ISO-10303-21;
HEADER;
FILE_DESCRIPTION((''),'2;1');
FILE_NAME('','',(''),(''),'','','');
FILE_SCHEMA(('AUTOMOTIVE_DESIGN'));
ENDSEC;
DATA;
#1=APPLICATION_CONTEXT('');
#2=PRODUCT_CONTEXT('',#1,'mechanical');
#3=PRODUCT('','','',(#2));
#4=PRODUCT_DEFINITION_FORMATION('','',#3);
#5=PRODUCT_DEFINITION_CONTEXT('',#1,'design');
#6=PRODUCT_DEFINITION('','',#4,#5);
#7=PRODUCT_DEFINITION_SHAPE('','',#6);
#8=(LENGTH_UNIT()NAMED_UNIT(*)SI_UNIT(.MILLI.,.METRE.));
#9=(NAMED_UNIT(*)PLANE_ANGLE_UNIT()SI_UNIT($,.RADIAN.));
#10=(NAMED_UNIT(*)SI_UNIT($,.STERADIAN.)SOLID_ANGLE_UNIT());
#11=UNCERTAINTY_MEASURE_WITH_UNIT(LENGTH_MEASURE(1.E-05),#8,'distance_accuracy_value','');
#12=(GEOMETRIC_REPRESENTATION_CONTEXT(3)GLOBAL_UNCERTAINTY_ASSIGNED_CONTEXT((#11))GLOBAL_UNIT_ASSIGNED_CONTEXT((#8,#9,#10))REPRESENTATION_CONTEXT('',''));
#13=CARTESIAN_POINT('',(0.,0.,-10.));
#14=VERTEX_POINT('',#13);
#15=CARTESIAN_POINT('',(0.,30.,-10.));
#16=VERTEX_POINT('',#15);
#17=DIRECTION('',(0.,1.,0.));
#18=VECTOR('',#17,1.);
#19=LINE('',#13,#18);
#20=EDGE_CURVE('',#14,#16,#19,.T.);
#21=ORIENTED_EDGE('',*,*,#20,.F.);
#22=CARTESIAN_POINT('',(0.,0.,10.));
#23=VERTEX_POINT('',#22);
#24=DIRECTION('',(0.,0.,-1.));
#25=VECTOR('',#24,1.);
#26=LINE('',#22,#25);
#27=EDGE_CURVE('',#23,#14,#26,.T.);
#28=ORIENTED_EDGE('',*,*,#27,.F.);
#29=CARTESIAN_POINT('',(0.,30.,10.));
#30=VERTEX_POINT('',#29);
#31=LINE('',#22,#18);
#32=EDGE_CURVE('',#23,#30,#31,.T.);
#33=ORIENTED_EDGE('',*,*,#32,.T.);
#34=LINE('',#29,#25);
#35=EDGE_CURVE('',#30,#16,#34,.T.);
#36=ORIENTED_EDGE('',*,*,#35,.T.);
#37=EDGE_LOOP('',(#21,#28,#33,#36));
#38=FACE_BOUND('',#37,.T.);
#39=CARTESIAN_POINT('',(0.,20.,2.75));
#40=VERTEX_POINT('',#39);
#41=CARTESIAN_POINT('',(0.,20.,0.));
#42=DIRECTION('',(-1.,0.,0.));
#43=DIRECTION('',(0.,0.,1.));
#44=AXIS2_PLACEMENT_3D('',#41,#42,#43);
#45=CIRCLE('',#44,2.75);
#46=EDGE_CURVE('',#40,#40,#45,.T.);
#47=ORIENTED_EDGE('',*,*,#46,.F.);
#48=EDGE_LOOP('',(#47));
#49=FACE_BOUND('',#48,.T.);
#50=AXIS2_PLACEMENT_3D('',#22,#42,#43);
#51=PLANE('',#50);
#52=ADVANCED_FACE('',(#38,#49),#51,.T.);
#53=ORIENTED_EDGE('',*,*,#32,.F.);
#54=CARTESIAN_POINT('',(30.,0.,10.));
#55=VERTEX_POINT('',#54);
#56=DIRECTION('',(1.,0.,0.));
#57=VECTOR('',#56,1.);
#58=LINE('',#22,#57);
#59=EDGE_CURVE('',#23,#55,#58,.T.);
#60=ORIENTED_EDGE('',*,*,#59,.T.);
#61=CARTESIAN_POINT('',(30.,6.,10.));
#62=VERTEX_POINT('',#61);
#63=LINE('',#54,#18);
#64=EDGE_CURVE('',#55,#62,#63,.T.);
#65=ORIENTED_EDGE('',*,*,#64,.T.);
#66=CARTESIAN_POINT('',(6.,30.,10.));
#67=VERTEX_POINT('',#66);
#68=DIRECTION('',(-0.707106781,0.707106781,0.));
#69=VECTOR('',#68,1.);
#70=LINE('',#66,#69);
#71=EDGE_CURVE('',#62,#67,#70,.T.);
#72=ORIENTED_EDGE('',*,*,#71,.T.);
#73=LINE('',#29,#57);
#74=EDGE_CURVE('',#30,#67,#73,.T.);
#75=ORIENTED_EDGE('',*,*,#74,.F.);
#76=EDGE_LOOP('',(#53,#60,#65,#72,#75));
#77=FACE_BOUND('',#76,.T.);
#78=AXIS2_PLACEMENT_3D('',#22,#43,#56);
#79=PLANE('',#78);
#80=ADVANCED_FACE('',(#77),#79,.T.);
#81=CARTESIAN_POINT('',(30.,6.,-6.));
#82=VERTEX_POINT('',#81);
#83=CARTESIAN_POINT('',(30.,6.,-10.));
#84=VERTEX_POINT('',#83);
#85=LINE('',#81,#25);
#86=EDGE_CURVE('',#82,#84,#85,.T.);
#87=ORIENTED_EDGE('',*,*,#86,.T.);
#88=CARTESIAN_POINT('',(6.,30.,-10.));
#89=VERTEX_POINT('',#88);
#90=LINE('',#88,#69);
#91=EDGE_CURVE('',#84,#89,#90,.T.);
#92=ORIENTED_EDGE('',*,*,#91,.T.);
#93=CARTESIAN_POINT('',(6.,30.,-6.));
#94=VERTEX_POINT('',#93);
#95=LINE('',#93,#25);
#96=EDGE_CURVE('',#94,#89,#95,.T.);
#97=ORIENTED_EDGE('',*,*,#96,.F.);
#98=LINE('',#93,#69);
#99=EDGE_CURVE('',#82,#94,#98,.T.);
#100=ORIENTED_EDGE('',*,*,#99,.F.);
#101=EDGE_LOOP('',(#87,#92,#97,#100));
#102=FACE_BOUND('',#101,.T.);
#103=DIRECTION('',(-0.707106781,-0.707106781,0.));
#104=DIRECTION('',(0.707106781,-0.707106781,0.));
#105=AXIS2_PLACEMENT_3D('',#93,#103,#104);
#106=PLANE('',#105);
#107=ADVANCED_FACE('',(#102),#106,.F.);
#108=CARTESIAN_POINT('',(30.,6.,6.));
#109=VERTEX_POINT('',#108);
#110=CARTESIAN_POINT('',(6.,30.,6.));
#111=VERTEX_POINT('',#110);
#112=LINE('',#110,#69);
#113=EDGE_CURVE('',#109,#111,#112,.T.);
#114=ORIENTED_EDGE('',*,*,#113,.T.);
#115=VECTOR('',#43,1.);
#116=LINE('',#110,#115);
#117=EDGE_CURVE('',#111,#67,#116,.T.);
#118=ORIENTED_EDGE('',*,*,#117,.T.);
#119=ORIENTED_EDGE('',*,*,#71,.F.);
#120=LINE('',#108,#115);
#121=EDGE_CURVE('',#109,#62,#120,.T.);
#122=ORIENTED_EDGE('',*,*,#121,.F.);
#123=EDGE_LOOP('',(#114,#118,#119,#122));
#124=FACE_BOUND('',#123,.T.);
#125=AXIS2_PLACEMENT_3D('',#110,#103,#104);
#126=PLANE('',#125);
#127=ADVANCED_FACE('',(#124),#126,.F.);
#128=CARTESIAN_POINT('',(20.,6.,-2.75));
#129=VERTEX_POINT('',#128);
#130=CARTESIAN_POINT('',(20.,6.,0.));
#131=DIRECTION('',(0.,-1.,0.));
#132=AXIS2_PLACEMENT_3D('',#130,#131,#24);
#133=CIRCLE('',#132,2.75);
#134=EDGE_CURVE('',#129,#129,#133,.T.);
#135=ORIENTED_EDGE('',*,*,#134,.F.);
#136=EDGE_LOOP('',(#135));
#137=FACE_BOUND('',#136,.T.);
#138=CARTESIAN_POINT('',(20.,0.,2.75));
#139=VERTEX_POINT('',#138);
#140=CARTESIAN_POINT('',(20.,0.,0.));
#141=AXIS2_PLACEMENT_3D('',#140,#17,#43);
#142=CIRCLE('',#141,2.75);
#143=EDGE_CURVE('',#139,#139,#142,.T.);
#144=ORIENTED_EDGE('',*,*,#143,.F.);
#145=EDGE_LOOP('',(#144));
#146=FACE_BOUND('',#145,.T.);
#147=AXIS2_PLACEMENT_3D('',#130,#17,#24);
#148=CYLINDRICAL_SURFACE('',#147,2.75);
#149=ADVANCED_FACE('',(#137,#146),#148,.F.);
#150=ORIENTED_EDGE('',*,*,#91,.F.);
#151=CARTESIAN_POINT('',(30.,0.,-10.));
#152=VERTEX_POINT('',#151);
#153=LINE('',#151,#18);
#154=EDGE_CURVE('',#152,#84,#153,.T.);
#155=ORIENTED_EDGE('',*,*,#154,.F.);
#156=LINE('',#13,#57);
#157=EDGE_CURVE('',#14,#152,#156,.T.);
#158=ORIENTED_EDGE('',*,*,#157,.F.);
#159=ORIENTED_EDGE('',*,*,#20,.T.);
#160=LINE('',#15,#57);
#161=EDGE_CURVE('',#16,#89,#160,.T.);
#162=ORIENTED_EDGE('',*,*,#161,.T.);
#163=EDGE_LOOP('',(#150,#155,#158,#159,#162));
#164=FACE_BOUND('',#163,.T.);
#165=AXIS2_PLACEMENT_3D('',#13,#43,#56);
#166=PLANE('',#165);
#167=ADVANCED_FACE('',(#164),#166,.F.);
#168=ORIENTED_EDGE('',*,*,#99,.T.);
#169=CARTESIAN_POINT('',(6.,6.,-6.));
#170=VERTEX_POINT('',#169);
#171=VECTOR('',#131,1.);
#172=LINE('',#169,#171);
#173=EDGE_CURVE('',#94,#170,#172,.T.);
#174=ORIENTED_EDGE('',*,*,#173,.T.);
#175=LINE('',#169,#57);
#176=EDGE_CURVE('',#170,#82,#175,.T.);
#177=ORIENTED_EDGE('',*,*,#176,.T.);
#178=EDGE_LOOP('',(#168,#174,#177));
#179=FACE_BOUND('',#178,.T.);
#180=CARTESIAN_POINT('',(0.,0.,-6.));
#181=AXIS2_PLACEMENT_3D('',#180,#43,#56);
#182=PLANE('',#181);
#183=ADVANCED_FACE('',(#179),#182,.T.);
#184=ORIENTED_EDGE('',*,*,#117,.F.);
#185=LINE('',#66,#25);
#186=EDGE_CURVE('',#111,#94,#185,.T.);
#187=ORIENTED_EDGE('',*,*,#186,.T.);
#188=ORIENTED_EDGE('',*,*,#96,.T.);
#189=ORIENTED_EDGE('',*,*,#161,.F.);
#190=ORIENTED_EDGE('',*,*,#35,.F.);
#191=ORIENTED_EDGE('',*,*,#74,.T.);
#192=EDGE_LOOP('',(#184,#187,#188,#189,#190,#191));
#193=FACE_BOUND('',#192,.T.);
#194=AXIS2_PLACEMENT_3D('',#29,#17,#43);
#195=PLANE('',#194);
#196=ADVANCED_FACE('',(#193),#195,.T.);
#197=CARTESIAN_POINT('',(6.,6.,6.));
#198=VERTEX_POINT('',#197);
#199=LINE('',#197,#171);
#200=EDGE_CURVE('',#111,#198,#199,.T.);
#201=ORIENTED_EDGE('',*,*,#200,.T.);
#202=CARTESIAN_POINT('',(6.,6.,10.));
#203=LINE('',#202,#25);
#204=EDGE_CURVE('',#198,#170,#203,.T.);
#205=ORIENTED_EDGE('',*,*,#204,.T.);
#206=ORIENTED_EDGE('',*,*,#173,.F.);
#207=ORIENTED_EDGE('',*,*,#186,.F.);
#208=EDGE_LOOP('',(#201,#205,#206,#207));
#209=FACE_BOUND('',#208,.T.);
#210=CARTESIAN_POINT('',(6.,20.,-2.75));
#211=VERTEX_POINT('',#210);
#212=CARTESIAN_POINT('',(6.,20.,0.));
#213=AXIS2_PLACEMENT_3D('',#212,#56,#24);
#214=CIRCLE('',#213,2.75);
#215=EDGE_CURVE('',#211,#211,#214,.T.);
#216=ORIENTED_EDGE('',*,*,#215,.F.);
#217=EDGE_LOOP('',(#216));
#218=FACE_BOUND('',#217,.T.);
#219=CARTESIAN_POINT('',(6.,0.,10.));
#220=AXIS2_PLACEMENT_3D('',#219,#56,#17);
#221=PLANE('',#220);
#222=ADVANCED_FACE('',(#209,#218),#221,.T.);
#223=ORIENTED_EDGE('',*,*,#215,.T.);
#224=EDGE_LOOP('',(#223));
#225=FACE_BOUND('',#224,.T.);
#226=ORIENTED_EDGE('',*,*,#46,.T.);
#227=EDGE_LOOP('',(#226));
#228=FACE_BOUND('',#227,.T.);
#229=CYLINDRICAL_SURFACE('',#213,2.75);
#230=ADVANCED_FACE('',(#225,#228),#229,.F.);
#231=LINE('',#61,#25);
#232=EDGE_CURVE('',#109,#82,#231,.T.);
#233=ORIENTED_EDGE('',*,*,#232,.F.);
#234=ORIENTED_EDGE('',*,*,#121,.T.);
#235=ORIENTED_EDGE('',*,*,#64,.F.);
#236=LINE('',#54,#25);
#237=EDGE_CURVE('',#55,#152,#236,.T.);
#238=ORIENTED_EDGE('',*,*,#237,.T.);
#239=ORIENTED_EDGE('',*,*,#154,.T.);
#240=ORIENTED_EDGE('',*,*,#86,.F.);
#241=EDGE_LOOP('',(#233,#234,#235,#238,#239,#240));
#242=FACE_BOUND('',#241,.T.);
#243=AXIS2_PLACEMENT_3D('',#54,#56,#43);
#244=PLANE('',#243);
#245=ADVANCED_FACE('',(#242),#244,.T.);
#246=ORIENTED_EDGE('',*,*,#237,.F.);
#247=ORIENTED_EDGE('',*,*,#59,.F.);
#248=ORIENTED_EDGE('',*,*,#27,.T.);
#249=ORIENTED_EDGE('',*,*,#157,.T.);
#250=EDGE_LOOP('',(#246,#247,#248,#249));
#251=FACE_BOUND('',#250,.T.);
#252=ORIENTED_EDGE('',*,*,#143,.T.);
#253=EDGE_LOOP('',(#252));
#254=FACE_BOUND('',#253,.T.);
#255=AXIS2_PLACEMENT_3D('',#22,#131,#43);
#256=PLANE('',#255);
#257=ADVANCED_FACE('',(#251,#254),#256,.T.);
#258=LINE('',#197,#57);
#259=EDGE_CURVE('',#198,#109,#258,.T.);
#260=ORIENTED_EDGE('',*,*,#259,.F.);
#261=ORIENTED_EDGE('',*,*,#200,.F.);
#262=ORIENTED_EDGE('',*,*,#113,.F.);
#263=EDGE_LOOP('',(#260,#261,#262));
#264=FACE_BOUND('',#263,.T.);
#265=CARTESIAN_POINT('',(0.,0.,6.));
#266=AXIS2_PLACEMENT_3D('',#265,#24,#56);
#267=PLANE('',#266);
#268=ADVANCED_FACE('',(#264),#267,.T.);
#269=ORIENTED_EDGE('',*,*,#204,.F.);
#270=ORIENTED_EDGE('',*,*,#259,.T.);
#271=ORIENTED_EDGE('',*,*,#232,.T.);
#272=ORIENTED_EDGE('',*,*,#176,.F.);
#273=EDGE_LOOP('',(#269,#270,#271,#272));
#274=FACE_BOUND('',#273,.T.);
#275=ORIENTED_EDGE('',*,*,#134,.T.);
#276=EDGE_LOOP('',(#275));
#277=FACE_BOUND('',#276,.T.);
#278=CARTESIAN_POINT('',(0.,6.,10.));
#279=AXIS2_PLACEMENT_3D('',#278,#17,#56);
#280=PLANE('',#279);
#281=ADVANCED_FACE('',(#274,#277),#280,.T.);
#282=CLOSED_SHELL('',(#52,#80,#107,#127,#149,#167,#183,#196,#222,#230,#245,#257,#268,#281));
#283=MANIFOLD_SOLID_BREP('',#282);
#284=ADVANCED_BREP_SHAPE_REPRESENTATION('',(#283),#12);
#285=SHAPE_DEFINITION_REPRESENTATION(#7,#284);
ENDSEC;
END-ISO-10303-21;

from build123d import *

# Parameters (mm, degrees)
BOSS_EXTRUDE1_DEPTH  = 10
M5_CLEARANCE_HOLE1_D = 5.5
GUSSET1_THICKNESS    = 4


with BuildPart() as part:
    # Sketch1 → Boss-Extrude1 (new, symmetric)
    with BuildSketch(Plane.XY):
        Polygon((0, 0), (0, 30), (6, 30), (6, 6), align=None)
    extrude(amount=BOSS_EXTRUDE1_DEPTH, both=True)

    # M5 Clearance Hole1 (through all)
    with Locations(Plane(origin=(6, 0, 0), x_dir=(0, 0, -1), z_dir=(1, 0, 0))):
        with Locations((0, 20)):
            Hole(M5_CLEARANCE_HOLE1_D / 2)

    # Mirror1: part across plane


with BuildPart() as part_1:
    add(part.part)
    add(part.part.mirror(Plane(origin=(0, 0, 10), x_dir=(0, 0, 1), z_dir=(0.7071067811865476, -0.7071067811865476, 0))))


with BuildPart() as body_2:
    # Gusset1: a gusset: a plate 4.0 thick in the corner of two members, its outline drawn in place
    gusset1_outline = Wire([Line((6, 6, -10), (6, 30, -10)), Line((6, 30, -10), (30, 6, -10)), Line((30, 6, -10), (6, 6, -10))])
    add(extrude(Face(gusset1_outline), amount=GUSSET1_THICKNESS, dir=(0, 0, 1)))


with BuildPart() as body_3:
    # Mirror3: mirrored copy
    add(body_2.part.mirror(Plane.XY))


with BuildPart() as part_2:
    add(part_1.part)

    # Combine1: union body 3, body 2
    add(body_3.part)
    add(body_2.part)


solid = part_2.part
